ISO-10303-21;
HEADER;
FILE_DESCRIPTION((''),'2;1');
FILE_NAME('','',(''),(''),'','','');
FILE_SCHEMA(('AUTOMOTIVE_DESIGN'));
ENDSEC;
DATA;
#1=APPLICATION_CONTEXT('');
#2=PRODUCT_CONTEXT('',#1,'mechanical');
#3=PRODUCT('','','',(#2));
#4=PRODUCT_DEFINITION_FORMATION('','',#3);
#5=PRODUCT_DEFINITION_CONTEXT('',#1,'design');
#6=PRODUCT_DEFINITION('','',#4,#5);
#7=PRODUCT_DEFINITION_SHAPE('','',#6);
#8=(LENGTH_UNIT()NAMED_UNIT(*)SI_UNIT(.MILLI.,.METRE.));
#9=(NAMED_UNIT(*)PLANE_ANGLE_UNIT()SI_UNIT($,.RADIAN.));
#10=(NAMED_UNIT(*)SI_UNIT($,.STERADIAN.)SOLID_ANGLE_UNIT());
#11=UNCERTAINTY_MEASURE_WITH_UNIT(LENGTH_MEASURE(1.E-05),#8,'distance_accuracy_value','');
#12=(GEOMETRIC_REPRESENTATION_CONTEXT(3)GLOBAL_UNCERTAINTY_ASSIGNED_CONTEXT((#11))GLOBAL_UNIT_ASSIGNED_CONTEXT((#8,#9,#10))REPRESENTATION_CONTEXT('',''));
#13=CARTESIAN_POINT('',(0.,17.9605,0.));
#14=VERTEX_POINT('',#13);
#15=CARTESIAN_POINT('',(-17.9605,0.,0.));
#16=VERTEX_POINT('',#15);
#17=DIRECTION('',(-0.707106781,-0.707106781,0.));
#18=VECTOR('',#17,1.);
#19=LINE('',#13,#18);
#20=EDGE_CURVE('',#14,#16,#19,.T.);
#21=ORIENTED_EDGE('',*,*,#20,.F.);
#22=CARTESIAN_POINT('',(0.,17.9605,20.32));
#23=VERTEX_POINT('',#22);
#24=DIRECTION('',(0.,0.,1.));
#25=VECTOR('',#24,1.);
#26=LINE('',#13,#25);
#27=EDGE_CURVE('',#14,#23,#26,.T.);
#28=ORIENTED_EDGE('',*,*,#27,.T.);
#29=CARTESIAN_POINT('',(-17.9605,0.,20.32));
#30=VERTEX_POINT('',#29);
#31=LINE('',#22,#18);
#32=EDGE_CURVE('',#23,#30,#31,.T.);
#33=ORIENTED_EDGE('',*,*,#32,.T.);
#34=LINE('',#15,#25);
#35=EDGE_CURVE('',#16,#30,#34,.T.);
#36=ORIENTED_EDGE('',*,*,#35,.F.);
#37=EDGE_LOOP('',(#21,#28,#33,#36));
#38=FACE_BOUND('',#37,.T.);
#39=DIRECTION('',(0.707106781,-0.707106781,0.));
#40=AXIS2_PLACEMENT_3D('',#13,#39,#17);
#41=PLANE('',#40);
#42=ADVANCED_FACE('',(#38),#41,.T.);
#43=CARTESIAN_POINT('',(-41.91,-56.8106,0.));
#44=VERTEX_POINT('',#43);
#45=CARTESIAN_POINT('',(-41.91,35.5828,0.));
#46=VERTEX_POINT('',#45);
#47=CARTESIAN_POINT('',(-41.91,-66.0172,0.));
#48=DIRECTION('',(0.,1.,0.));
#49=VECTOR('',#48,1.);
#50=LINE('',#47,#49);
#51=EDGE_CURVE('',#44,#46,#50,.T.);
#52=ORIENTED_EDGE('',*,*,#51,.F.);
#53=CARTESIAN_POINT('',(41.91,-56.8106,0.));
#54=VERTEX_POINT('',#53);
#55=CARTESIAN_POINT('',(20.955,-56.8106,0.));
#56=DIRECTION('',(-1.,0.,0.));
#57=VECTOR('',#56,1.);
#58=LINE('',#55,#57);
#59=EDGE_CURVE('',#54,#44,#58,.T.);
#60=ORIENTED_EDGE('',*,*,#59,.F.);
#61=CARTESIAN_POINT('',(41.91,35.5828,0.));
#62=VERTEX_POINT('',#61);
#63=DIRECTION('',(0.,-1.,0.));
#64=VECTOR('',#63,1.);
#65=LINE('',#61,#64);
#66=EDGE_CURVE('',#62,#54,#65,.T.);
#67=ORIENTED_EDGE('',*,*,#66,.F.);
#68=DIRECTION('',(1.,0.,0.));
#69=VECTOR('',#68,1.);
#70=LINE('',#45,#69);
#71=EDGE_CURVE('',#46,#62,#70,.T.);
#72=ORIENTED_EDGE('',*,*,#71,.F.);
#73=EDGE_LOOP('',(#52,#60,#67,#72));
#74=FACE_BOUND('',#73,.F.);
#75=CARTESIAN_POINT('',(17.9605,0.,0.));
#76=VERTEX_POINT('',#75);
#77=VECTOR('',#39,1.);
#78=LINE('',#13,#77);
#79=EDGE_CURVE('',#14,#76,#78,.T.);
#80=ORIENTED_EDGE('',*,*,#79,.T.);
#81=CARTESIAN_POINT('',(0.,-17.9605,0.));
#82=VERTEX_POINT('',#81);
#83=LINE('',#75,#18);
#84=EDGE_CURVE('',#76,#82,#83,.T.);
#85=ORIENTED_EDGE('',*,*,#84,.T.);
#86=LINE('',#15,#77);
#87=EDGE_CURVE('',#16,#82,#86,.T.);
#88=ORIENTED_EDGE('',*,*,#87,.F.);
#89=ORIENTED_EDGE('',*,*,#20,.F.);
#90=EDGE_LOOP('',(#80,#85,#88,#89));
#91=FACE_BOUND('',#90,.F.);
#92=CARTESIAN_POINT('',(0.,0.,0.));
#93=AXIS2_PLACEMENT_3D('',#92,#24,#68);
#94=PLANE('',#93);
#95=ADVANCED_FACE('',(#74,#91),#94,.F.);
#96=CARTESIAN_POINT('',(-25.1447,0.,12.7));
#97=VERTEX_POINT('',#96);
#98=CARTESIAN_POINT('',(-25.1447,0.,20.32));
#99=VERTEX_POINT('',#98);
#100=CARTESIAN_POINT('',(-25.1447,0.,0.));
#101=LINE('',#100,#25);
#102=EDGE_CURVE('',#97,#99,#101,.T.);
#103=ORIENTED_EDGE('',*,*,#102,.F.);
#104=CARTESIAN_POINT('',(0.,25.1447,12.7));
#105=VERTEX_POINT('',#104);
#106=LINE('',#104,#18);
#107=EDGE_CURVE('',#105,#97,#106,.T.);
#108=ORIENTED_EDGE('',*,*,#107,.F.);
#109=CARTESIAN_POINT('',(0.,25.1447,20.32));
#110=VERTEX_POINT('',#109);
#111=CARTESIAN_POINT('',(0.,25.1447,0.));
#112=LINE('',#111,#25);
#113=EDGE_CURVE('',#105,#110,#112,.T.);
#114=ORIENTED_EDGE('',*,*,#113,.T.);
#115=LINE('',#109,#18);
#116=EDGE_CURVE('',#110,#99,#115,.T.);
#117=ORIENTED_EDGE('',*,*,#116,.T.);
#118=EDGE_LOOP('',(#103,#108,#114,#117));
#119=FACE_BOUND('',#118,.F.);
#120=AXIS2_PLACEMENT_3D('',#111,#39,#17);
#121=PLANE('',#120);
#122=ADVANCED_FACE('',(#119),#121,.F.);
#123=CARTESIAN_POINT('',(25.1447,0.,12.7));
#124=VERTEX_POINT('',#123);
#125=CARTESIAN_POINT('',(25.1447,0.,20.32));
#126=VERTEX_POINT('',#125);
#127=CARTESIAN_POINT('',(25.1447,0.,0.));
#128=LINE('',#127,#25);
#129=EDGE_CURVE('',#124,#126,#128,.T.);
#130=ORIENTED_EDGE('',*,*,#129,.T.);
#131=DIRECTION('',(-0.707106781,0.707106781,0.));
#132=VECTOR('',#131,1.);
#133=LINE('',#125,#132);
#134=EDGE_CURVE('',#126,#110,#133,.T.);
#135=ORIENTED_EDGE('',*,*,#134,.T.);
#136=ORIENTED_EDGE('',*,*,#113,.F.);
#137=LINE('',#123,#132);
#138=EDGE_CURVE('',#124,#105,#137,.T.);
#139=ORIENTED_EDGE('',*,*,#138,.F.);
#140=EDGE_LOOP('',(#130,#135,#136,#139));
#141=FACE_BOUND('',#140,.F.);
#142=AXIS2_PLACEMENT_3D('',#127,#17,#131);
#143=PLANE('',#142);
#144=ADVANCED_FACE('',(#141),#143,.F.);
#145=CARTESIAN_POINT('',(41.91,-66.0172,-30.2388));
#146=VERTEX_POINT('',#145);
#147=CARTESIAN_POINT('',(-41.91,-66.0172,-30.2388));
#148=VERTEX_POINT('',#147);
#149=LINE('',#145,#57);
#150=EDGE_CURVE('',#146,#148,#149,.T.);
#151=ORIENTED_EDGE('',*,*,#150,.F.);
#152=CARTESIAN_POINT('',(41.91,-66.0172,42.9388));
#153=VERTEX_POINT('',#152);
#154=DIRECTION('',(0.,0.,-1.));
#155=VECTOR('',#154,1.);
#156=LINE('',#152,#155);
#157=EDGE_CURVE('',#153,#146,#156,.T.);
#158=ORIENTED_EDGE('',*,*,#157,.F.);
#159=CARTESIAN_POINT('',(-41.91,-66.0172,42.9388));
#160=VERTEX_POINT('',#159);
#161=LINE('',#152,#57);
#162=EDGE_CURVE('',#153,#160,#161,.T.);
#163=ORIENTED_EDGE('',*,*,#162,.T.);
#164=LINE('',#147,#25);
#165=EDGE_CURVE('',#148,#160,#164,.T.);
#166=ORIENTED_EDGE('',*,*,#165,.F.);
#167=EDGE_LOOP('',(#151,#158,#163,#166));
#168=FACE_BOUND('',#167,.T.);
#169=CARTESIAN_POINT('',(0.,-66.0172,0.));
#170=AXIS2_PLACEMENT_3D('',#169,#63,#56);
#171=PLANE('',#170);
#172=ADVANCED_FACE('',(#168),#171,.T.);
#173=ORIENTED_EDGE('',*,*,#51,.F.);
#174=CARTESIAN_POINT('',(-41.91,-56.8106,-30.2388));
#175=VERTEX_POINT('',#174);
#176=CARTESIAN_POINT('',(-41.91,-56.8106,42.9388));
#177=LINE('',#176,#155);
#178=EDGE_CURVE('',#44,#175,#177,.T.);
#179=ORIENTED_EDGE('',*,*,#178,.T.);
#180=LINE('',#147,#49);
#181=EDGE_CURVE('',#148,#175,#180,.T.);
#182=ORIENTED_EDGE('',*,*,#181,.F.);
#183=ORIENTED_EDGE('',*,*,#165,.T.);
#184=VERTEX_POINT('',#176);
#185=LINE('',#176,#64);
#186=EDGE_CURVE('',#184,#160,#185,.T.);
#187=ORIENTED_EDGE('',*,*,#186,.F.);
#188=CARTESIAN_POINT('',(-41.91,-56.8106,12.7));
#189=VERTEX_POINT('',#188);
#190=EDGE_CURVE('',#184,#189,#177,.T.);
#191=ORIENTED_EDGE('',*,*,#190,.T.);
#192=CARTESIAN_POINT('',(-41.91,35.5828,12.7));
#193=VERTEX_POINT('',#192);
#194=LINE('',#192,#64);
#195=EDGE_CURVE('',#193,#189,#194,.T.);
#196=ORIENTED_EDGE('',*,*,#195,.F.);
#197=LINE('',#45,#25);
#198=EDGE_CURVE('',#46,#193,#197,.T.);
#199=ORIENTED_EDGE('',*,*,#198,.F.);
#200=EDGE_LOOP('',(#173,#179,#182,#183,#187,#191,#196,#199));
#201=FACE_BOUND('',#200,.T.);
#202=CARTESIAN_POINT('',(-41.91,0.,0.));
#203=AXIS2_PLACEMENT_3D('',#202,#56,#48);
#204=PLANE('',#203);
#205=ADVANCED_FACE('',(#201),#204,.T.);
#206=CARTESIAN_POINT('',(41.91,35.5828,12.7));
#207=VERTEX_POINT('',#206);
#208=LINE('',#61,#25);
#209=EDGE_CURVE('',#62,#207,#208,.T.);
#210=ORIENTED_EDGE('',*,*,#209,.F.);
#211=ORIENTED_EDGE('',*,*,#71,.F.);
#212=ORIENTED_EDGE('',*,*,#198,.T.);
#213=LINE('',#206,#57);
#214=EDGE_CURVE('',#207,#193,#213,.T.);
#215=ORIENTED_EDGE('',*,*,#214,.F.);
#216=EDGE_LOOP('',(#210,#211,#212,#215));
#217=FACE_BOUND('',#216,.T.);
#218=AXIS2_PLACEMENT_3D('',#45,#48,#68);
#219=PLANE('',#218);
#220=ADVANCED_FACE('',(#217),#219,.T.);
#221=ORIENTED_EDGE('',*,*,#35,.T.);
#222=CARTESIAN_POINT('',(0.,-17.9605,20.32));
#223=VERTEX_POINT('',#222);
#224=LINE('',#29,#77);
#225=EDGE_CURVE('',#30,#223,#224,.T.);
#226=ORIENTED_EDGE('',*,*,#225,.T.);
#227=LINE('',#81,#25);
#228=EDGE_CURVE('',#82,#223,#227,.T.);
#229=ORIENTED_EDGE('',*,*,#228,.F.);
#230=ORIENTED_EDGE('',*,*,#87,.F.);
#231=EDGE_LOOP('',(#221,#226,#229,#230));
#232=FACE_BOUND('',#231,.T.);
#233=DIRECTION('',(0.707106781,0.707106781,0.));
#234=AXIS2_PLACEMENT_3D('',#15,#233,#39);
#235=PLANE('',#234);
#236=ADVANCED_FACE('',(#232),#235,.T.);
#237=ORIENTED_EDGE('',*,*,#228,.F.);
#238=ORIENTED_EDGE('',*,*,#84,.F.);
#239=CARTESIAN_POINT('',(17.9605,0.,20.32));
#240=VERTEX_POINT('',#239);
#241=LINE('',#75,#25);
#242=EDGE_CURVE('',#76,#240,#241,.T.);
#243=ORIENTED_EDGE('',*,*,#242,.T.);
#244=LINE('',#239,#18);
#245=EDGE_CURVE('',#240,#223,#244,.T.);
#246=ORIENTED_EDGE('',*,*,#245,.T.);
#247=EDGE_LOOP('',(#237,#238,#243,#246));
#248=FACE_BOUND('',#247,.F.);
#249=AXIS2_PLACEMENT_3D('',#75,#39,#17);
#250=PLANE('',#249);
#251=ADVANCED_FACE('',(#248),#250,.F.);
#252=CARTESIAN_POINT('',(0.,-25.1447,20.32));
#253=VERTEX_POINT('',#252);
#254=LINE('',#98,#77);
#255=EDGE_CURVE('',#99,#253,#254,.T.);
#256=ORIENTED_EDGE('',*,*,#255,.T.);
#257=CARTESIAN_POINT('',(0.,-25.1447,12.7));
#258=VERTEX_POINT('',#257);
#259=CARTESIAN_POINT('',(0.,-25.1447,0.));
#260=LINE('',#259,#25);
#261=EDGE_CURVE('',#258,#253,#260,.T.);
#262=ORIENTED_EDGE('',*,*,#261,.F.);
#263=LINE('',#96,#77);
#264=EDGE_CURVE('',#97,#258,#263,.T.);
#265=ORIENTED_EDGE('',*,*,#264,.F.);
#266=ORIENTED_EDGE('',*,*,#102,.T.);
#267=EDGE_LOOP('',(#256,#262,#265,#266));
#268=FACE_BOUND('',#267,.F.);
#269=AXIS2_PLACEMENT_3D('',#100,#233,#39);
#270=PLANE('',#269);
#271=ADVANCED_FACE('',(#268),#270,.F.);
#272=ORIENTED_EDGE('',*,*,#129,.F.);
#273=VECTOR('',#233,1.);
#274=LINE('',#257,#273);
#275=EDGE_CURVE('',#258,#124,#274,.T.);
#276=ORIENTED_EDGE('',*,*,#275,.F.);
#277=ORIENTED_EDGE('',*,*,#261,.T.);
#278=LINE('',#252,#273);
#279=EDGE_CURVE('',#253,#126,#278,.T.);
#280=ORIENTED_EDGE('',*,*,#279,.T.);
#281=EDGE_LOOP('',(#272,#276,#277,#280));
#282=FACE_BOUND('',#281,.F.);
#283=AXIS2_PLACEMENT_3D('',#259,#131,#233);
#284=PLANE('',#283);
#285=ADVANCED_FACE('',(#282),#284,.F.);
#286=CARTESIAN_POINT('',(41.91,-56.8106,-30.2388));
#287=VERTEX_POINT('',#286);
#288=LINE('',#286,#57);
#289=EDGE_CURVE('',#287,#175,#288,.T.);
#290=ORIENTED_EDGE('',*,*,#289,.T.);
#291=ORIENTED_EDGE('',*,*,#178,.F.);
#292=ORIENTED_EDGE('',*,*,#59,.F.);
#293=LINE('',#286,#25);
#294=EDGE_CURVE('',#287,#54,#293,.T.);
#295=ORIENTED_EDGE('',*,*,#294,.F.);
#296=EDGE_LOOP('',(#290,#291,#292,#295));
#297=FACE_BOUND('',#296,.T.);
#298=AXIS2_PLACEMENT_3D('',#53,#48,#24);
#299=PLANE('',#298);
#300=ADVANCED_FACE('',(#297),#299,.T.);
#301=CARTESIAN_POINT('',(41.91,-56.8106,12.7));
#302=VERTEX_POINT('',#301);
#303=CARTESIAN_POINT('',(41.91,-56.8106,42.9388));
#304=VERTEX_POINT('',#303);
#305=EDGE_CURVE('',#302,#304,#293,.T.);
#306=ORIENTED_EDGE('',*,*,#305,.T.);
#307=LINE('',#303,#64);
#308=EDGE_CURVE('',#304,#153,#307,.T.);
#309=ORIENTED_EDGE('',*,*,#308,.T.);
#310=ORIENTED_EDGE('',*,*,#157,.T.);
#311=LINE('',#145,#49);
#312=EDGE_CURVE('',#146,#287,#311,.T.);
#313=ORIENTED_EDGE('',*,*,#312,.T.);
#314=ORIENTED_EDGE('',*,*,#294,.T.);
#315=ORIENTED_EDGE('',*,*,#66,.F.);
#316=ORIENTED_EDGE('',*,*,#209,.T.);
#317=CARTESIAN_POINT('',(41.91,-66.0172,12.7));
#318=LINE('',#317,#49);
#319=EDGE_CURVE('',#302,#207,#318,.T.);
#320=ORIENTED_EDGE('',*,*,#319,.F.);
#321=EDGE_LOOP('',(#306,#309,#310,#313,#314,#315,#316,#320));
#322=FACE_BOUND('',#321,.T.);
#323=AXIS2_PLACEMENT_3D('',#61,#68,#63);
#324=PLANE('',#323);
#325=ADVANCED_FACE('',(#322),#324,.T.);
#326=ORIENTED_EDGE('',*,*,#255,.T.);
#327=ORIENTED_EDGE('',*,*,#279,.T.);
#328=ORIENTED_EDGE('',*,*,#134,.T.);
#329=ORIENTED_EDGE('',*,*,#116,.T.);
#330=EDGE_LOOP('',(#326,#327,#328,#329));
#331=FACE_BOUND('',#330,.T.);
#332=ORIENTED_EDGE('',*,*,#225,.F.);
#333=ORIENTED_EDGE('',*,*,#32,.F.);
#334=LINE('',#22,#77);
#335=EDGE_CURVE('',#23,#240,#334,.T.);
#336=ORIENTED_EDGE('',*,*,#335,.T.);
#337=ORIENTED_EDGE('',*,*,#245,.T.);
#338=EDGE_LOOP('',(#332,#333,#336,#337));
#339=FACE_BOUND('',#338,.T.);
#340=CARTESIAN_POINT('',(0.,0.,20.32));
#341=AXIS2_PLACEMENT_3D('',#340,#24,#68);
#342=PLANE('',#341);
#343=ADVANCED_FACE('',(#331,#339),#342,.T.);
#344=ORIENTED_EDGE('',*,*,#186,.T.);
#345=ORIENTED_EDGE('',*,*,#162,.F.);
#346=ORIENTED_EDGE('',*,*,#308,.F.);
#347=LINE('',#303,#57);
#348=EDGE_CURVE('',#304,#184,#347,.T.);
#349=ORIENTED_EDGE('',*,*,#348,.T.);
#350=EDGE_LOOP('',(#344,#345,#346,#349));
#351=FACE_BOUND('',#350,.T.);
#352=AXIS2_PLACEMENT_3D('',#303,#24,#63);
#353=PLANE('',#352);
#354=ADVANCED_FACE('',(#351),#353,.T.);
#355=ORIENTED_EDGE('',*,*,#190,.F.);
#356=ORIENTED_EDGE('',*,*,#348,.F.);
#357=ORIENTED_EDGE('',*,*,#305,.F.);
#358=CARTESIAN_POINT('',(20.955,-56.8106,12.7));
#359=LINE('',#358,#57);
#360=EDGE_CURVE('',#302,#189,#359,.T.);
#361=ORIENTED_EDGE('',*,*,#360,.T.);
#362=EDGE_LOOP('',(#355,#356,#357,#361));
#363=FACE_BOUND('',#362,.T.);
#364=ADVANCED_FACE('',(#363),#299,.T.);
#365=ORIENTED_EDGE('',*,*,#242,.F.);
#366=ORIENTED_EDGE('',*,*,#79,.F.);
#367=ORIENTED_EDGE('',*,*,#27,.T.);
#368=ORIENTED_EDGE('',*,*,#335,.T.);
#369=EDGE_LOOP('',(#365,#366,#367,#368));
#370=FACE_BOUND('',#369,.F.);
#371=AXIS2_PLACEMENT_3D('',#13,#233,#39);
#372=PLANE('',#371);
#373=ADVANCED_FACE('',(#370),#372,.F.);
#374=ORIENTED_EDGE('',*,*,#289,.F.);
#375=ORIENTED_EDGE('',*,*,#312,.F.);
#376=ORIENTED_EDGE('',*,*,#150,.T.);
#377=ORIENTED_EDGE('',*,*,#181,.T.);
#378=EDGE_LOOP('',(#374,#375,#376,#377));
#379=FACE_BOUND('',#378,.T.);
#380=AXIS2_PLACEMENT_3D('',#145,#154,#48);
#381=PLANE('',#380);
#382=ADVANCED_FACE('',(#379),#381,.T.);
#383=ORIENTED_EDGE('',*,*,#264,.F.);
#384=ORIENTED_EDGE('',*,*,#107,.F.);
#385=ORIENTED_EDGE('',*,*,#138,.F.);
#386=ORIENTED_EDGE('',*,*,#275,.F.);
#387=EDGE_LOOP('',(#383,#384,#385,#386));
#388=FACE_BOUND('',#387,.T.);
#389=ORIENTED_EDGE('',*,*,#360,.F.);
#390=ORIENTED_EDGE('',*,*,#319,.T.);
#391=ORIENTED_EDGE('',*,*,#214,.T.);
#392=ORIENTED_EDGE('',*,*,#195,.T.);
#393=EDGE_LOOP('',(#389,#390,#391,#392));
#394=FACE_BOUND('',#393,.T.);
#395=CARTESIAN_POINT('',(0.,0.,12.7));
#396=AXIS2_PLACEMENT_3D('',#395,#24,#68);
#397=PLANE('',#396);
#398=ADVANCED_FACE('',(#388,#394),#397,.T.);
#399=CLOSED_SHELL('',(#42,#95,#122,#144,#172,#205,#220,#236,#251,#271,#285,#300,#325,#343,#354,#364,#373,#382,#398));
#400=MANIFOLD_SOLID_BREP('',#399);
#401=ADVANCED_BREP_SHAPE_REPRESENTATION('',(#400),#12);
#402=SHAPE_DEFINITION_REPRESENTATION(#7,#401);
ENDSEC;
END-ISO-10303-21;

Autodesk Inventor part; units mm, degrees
ref_plane "YZ Plane" through (0, 0, 0) normal (1, 0, 0) x (0, 1, 0)
ref_plane "XZ Plane" through (0, 0, 0) normal (0, 1, 0) x (-1, 0, 0)
ref_plane "XY Plane" through (0, 0, 0) normal (0, 0, 1) x (1, 0, 0)
sketch "Sketch1" plane through (0, 0, 0) normal (0, 0, 1) x (1, 0, 0)
  line L0 (0, 17.9605) -> (17.9605, 0) construction
  line L1 (17.9605, 0) -> (0, -17.9605) construction
  line L2 (0, -17.9605) -> (-17.9605, 0) construction
  line L3 (-17.9605, 0) -> (0, 17.9605) construction
  line L4 (0, 17.9605) -> (0, -17.9605) construction
  line L5 (17.9605, 0) -> (-17.9605, 0) construction
  line L6 (0, 17.9605) -> (-17.9605, 0)
  line L7 (0, -86.3372) -> (0, 55.9028) projected
  line L8 (-58.674, 0) -> (58.674, 0) projected
  line L9 (0, 17.9605) -> (17.9605, 0)
  line L10 (17.9605, 0) -> (0, -17.9605)
  line L11 (-17.9605, 0) -> (0, -17.9605)
  line L12 (0, 25.1447) -> (-25.1447, 0)
  line L13 (-25.1447, 0) -> (0, -25.1447)
  line L14 (0, -25.1447) -> (25.1447, 0)
  line L15 (25.1447, 0) -> (0, 25.1447)
  line L16 (-41.91, 35.5828) -> (41.91, 35.5828)
  line L17 (41.91, 35.5828) -> (41.91, -66.0172)
  line L18 (41.91, -66.0172) -> (-41.91, -66.0172)
  line L19 (-41.91, -66.0172) -> (-41.91, 35.5828)
  point P0 (0, 0)
  point P1 (0, 0)
  point P2 (0, 0)
  point P3 (0, 0)
  point P4 (0, 0)
  point P5 (29.7157, 21.8287)
  point P6 (0, 35.5828)
  dimension "d0" = 25.4
  dimension "d1" = 25.4
  dimension "d5" = 0
  dimension "d6" = 5.08
  dimension "d7" = 5.08
  dimension "d15" = 83.82
  dimension "d16" = 101.6
extrude "Extrusion2" add sketch "Sketch1" along normal blind 20.32 contours L6 L8 L12 L7 | L7 L15 L8 L9 | L11 L7 L13 L8 | L8 L14 L7 L10
extrude "Extrusion3" add sketch "Sketch1" along normal blind 12.7 contours L12 L8 L19 L16 L7 | L7 L16 L17 L8 L15 | L13 L7 L18 L19 L8 | L8 L17 L18 L7 L14
sketch "Sketch2" plane through (41.91, -66.0172, 0) normal (1, 0, 0) x (0, 0, -1)
  line L0 (0, 0) -> (0, 101.6) projected
  line L1 (0, 101.6) -> (-12.7, 101.6) projected
  line L2 (-12.7, 0) -> (-12.7, 101.6) projected
  line L3 (0, 0) -> (-12.7, 0) projected
  line L4 (-42.9388, 0) -> (30.2388, 0)
  line L5 (30.2388, 0) -> (30.2388, 9.2066)
  line L6 (30.2388, 9.2066) -> (-42.9388, 9.2066)
  line L7 (-42.9388, 9.2066) -> (-42.9388, 0)
  line L8 (-42.9388, 0) -> (30.2388, 9.2066) construction
  line L9 (30.2388, 0) -> (-42.9388, 9.2066) construction
  point P0 (0, 66.0172)
  point P1 (-6.35, 4.6033)
  point P2 (-6.35, 0)
extrude "Extrusion4" add sketch "Sketch2" against normal up to surface (83.82 mm away) contours L3 L2 L6 L0 | L0 L6 L5 L4 | L4 L7 L6 L2
equation "\"d7\" = d6"
properties part number "base_end_mounts" material "ABS Plastic"
